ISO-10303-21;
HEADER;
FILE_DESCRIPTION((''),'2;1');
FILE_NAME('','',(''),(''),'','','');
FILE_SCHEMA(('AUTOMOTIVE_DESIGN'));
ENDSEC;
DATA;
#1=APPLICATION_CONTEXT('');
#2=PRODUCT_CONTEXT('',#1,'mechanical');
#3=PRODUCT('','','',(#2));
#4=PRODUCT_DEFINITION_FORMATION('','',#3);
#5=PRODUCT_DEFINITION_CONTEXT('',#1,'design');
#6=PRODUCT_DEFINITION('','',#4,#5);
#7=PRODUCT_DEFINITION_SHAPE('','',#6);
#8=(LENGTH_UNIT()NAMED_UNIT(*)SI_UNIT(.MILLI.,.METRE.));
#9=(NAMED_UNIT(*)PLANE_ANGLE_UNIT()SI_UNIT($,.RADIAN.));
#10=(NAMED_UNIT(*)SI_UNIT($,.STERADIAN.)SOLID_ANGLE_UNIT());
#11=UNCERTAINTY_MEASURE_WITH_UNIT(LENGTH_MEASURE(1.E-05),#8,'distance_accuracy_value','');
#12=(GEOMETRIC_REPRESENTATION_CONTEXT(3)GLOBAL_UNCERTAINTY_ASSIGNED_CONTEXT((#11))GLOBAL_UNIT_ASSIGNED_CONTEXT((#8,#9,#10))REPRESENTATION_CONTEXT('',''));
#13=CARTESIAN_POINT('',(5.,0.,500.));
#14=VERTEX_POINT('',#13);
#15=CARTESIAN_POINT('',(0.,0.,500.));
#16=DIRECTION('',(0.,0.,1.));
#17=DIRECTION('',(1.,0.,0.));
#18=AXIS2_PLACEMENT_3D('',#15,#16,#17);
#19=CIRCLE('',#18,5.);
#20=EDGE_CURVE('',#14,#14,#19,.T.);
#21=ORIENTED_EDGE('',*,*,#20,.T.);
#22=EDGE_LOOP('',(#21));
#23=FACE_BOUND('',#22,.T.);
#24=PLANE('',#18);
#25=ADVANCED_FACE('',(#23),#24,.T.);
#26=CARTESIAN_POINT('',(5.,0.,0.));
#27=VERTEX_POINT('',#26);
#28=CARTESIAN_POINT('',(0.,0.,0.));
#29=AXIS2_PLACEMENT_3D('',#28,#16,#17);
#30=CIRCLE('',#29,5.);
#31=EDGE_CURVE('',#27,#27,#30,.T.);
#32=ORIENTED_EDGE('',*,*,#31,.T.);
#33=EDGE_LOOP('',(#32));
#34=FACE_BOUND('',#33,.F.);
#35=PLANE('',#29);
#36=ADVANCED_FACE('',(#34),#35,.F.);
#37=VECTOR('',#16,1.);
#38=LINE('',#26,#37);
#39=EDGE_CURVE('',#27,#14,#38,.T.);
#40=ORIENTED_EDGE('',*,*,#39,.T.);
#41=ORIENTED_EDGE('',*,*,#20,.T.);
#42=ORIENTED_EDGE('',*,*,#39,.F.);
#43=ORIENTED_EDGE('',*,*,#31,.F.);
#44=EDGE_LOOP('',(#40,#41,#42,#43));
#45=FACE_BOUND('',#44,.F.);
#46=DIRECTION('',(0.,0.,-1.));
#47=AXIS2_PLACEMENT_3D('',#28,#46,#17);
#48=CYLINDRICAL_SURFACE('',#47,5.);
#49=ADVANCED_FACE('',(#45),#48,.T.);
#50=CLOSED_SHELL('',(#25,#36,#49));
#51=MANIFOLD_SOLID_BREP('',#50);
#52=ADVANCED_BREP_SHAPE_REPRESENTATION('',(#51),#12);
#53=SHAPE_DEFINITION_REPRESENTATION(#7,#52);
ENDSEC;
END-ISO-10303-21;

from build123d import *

# Parameters (mm, degrees)
ESQUISSE1_R        = 5
BOSS_EXTRU_1_DEPTH = 500


with BuildPart() as part:
    # Esquisse1 → Boss.-Extru.1 (new body)
    with BuildSketch(Plane.XY):
        Circle(ESQUISSE1_R)
    extrude(amount=BOSS_EXTRU_1_DEPTH)


solid = part.part
